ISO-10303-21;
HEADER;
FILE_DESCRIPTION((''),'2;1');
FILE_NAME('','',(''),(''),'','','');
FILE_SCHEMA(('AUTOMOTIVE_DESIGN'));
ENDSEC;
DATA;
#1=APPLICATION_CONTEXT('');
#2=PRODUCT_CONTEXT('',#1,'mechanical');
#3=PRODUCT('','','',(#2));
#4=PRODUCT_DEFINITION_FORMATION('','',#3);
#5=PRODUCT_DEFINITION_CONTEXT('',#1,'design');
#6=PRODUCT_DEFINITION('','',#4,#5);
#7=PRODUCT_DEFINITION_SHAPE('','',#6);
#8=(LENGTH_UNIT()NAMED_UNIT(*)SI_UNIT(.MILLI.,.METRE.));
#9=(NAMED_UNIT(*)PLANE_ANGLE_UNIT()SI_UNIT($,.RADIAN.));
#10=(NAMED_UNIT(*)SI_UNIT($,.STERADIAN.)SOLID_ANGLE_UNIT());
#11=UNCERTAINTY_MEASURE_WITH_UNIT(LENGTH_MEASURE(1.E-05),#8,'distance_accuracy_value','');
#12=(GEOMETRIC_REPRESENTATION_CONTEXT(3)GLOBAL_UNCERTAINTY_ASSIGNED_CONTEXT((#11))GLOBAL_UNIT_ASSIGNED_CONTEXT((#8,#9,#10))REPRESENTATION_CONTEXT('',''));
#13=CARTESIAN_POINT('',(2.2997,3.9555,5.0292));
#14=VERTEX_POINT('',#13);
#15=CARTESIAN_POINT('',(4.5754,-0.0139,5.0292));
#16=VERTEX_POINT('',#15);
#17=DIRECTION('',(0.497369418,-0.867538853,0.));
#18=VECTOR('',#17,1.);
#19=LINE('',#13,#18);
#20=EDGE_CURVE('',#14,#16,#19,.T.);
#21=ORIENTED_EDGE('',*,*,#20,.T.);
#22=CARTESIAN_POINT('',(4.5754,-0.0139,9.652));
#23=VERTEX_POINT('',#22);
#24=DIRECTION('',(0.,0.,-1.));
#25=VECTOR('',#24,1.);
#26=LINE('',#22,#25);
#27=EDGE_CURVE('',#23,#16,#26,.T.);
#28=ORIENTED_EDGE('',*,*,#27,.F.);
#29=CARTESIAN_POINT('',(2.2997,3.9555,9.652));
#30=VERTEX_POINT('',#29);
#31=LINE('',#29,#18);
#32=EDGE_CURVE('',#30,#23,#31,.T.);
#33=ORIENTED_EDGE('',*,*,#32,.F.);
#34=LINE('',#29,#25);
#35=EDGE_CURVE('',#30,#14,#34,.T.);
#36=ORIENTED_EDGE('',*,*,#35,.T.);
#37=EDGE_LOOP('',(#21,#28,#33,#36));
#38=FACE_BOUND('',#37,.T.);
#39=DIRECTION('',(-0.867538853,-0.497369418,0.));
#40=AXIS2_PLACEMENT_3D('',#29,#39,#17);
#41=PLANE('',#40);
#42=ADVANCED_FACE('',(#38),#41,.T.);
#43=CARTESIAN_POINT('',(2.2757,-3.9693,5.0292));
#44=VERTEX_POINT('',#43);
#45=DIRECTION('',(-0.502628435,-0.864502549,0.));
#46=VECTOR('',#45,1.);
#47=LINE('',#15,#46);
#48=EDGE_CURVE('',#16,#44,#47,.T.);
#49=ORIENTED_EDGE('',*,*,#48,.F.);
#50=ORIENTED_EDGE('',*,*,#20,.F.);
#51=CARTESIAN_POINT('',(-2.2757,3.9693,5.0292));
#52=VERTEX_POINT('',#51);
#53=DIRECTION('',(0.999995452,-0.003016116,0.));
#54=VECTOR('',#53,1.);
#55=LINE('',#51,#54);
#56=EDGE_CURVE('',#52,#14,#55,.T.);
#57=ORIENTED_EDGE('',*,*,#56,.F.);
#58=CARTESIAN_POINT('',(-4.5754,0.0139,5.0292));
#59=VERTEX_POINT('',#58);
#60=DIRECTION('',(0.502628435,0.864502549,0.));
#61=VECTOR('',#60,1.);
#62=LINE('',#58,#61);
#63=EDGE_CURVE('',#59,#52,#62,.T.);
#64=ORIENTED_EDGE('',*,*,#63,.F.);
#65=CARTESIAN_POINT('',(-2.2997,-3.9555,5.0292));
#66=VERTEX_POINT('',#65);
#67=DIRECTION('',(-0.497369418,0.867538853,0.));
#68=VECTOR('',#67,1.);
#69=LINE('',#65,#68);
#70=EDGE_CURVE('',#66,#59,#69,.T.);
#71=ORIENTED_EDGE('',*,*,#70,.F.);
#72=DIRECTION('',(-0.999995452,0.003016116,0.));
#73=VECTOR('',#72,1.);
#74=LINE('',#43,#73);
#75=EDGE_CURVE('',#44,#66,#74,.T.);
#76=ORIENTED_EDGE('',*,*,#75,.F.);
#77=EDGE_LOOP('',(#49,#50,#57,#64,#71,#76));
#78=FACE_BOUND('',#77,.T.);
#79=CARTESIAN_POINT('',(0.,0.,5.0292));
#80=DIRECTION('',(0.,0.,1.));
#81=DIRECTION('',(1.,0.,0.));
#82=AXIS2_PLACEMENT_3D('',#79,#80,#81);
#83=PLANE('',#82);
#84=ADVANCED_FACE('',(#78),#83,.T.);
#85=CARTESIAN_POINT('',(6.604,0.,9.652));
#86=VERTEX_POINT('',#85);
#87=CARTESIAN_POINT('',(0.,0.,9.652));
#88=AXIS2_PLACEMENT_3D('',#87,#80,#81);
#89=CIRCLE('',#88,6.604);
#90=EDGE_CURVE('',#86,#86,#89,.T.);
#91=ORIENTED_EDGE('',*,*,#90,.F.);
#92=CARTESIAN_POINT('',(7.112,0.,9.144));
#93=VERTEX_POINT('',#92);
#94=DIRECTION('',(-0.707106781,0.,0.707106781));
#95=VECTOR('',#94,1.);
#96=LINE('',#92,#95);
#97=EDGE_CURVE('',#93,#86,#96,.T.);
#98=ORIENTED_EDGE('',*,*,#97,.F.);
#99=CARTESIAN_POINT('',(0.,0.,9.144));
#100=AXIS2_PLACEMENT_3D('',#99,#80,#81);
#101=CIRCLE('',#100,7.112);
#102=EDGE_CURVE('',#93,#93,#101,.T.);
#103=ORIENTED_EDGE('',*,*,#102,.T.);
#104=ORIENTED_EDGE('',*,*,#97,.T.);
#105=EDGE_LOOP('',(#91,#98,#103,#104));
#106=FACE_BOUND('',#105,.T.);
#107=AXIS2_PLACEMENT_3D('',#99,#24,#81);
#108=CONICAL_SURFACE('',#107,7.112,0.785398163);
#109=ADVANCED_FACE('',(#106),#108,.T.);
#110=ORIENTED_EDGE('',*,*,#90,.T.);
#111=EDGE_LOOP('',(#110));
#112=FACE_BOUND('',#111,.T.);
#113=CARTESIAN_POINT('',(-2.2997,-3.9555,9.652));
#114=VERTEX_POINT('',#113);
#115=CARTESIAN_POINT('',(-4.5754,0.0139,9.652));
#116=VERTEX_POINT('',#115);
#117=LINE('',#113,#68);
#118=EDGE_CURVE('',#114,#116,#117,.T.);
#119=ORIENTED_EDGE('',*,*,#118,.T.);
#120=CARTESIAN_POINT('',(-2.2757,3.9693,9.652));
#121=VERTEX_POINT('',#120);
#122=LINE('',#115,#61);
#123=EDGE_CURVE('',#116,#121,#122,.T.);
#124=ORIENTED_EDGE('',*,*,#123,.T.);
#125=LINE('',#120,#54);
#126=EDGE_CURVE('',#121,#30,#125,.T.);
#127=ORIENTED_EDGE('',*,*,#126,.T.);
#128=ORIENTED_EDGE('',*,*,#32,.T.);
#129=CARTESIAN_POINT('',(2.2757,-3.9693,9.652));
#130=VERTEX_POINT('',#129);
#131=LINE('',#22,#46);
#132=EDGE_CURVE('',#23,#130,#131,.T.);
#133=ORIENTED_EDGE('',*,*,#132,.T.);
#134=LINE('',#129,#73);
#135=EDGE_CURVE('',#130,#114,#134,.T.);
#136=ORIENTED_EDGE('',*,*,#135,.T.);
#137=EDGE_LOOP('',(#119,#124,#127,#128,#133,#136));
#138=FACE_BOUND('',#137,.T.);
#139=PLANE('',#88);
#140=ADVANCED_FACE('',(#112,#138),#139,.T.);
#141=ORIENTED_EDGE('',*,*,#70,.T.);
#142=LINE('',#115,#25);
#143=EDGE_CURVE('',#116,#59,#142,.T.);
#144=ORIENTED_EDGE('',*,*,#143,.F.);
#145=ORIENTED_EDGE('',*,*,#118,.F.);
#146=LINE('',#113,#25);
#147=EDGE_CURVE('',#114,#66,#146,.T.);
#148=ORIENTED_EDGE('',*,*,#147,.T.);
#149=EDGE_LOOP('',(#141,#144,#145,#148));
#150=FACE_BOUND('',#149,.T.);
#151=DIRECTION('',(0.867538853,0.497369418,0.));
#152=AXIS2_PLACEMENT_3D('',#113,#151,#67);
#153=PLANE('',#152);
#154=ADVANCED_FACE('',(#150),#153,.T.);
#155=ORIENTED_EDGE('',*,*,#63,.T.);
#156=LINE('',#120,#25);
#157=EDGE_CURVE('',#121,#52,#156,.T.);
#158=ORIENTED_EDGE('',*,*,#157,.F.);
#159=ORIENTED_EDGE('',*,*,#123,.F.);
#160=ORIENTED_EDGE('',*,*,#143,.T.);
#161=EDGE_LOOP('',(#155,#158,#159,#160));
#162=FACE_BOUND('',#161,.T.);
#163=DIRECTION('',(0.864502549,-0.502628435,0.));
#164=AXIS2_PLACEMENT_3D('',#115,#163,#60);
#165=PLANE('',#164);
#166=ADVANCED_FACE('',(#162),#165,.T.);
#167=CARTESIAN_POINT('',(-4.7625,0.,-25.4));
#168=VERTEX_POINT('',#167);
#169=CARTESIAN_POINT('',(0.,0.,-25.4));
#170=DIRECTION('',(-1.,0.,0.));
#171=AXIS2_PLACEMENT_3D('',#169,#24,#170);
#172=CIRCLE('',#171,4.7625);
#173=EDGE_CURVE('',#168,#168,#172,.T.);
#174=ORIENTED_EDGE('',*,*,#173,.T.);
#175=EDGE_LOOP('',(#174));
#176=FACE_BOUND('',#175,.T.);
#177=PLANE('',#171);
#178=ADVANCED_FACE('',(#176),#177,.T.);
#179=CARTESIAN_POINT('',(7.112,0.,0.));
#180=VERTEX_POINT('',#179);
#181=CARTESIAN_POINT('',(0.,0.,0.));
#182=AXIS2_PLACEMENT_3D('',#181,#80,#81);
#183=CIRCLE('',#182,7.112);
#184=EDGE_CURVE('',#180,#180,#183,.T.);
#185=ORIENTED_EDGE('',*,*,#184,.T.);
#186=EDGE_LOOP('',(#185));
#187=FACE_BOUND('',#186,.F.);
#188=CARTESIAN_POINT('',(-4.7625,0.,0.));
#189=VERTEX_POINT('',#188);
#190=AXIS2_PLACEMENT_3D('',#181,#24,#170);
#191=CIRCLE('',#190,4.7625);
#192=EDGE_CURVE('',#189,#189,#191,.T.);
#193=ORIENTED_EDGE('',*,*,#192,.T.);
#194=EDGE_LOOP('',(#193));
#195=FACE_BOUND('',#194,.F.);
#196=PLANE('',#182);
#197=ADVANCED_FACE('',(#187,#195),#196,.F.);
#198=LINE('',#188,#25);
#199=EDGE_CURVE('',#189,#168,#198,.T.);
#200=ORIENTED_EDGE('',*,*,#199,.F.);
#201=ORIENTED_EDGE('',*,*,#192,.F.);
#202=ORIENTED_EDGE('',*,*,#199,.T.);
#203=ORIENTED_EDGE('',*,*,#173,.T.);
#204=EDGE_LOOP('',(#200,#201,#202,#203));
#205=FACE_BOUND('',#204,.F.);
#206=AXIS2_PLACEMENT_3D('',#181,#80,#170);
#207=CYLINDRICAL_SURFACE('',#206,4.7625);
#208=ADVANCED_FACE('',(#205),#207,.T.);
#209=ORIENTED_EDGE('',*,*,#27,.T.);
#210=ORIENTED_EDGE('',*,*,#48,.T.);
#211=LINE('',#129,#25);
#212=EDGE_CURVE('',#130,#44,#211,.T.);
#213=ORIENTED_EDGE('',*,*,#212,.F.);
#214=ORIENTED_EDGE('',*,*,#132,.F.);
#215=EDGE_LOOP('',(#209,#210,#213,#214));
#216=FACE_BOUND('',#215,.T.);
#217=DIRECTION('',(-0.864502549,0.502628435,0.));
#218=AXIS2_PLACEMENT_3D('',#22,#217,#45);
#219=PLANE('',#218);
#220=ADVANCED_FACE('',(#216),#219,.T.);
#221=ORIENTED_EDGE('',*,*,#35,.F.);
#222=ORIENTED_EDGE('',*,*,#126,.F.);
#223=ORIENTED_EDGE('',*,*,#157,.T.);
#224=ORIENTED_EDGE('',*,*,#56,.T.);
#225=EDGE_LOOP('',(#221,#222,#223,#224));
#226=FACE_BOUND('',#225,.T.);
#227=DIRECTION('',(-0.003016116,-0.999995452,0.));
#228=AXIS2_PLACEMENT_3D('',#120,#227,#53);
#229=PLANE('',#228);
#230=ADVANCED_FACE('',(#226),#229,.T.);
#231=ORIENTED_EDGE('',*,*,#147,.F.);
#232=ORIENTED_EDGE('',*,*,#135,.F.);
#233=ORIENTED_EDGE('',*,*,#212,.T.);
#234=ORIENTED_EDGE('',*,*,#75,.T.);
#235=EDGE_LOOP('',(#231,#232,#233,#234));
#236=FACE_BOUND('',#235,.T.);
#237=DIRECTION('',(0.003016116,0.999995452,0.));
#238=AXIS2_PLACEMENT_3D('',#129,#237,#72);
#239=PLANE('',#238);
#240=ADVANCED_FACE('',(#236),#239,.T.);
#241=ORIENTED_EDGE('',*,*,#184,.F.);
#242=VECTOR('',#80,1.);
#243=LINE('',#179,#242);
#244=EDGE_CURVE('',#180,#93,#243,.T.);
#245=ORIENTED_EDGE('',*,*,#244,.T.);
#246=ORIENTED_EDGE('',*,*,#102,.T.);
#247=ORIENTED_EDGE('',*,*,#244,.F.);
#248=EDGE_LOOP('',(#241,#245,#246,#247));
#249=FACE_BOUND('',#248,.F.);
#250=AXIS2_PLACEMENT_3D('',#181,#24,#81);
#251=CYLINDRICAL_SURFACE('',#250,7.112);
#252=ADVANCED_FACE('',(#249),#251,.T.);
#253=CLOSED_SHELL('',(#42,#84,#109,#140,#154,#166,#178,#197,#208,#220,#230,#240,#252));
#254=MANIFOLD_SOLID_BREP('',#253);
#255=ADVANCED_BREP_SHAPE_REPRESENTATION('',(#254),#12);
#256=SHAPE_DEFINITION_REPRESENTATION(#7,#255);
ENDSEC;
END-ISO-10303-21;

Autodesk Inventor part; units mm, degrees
ref_plane "YZ Plane" through (0, 0, 0) normal (1, 0, 0) x (0, 1, 0)
ref_plane "XZ Plane" through (0, 0, 0) normal (0, 1, 0) x (-1, 0, 0)
ref_plane "XY Plane" through (0, 0, 0) normal (0, 0, 1) x (1, 0, 0)
sketch "Sketch1" plane through (0, 0, 0) normal (0, 0, 1) x (1, 0, 0)
  circle A0 centre (0, 0) radius 7.112
  dimension "d0" = 14.224
extrude "Extrusion1" add sketch "Sketch1" along normal blind 9.652
sketch "Sketch2" plane through (0, 0, 9.652) normal (0, 0, 1) x (1, 0, 0)
  line L0 (2.2997, 3.9555) -> (4.5754, -0.0139)
  line L1 (4.5754, -0.0139) -> (2.2757, -3.9693)
  line L2 (2.2757, -3.9693) -> (-2.2997, -3.9555)
  line L3 (-2.2997, -3.9555) -> (-4.5754, 0.0139)
  line L4 (-4.5754, 0.0139) -> (-2.2757, 3.9693)
  line L5 (-2.2757, 3.9693) -> (2.2997, 3.9555)
  point P0 (0, 0)
  point P1 (0, 0)
  dimension "d3" = 7.9248
extrude "Extrusion2" cut sketch "Sketch2" against normal blind 4.6228
chamfer "Chamfer1" distance 0.508 angle 45 1 edges at (-7.112, 0, 9.652)
sketch "Sketch3" plane through (0, 0, 0) normal (0, 0, -1) x (-1, 0, 0)
  circle A0 centre (0, 0) radius 4.7625
  dimension "d9" = 9.525
extrude "Extrusion3" add sketch "Sketch3" along normal blind 25.4
thread "Thread1" size "3/8-16 UNC" class "2A" standard "ANSI Unified Screw Threads" full length
properties part number "3-8-16 UNC Bolt" material "Stainless Steel"
